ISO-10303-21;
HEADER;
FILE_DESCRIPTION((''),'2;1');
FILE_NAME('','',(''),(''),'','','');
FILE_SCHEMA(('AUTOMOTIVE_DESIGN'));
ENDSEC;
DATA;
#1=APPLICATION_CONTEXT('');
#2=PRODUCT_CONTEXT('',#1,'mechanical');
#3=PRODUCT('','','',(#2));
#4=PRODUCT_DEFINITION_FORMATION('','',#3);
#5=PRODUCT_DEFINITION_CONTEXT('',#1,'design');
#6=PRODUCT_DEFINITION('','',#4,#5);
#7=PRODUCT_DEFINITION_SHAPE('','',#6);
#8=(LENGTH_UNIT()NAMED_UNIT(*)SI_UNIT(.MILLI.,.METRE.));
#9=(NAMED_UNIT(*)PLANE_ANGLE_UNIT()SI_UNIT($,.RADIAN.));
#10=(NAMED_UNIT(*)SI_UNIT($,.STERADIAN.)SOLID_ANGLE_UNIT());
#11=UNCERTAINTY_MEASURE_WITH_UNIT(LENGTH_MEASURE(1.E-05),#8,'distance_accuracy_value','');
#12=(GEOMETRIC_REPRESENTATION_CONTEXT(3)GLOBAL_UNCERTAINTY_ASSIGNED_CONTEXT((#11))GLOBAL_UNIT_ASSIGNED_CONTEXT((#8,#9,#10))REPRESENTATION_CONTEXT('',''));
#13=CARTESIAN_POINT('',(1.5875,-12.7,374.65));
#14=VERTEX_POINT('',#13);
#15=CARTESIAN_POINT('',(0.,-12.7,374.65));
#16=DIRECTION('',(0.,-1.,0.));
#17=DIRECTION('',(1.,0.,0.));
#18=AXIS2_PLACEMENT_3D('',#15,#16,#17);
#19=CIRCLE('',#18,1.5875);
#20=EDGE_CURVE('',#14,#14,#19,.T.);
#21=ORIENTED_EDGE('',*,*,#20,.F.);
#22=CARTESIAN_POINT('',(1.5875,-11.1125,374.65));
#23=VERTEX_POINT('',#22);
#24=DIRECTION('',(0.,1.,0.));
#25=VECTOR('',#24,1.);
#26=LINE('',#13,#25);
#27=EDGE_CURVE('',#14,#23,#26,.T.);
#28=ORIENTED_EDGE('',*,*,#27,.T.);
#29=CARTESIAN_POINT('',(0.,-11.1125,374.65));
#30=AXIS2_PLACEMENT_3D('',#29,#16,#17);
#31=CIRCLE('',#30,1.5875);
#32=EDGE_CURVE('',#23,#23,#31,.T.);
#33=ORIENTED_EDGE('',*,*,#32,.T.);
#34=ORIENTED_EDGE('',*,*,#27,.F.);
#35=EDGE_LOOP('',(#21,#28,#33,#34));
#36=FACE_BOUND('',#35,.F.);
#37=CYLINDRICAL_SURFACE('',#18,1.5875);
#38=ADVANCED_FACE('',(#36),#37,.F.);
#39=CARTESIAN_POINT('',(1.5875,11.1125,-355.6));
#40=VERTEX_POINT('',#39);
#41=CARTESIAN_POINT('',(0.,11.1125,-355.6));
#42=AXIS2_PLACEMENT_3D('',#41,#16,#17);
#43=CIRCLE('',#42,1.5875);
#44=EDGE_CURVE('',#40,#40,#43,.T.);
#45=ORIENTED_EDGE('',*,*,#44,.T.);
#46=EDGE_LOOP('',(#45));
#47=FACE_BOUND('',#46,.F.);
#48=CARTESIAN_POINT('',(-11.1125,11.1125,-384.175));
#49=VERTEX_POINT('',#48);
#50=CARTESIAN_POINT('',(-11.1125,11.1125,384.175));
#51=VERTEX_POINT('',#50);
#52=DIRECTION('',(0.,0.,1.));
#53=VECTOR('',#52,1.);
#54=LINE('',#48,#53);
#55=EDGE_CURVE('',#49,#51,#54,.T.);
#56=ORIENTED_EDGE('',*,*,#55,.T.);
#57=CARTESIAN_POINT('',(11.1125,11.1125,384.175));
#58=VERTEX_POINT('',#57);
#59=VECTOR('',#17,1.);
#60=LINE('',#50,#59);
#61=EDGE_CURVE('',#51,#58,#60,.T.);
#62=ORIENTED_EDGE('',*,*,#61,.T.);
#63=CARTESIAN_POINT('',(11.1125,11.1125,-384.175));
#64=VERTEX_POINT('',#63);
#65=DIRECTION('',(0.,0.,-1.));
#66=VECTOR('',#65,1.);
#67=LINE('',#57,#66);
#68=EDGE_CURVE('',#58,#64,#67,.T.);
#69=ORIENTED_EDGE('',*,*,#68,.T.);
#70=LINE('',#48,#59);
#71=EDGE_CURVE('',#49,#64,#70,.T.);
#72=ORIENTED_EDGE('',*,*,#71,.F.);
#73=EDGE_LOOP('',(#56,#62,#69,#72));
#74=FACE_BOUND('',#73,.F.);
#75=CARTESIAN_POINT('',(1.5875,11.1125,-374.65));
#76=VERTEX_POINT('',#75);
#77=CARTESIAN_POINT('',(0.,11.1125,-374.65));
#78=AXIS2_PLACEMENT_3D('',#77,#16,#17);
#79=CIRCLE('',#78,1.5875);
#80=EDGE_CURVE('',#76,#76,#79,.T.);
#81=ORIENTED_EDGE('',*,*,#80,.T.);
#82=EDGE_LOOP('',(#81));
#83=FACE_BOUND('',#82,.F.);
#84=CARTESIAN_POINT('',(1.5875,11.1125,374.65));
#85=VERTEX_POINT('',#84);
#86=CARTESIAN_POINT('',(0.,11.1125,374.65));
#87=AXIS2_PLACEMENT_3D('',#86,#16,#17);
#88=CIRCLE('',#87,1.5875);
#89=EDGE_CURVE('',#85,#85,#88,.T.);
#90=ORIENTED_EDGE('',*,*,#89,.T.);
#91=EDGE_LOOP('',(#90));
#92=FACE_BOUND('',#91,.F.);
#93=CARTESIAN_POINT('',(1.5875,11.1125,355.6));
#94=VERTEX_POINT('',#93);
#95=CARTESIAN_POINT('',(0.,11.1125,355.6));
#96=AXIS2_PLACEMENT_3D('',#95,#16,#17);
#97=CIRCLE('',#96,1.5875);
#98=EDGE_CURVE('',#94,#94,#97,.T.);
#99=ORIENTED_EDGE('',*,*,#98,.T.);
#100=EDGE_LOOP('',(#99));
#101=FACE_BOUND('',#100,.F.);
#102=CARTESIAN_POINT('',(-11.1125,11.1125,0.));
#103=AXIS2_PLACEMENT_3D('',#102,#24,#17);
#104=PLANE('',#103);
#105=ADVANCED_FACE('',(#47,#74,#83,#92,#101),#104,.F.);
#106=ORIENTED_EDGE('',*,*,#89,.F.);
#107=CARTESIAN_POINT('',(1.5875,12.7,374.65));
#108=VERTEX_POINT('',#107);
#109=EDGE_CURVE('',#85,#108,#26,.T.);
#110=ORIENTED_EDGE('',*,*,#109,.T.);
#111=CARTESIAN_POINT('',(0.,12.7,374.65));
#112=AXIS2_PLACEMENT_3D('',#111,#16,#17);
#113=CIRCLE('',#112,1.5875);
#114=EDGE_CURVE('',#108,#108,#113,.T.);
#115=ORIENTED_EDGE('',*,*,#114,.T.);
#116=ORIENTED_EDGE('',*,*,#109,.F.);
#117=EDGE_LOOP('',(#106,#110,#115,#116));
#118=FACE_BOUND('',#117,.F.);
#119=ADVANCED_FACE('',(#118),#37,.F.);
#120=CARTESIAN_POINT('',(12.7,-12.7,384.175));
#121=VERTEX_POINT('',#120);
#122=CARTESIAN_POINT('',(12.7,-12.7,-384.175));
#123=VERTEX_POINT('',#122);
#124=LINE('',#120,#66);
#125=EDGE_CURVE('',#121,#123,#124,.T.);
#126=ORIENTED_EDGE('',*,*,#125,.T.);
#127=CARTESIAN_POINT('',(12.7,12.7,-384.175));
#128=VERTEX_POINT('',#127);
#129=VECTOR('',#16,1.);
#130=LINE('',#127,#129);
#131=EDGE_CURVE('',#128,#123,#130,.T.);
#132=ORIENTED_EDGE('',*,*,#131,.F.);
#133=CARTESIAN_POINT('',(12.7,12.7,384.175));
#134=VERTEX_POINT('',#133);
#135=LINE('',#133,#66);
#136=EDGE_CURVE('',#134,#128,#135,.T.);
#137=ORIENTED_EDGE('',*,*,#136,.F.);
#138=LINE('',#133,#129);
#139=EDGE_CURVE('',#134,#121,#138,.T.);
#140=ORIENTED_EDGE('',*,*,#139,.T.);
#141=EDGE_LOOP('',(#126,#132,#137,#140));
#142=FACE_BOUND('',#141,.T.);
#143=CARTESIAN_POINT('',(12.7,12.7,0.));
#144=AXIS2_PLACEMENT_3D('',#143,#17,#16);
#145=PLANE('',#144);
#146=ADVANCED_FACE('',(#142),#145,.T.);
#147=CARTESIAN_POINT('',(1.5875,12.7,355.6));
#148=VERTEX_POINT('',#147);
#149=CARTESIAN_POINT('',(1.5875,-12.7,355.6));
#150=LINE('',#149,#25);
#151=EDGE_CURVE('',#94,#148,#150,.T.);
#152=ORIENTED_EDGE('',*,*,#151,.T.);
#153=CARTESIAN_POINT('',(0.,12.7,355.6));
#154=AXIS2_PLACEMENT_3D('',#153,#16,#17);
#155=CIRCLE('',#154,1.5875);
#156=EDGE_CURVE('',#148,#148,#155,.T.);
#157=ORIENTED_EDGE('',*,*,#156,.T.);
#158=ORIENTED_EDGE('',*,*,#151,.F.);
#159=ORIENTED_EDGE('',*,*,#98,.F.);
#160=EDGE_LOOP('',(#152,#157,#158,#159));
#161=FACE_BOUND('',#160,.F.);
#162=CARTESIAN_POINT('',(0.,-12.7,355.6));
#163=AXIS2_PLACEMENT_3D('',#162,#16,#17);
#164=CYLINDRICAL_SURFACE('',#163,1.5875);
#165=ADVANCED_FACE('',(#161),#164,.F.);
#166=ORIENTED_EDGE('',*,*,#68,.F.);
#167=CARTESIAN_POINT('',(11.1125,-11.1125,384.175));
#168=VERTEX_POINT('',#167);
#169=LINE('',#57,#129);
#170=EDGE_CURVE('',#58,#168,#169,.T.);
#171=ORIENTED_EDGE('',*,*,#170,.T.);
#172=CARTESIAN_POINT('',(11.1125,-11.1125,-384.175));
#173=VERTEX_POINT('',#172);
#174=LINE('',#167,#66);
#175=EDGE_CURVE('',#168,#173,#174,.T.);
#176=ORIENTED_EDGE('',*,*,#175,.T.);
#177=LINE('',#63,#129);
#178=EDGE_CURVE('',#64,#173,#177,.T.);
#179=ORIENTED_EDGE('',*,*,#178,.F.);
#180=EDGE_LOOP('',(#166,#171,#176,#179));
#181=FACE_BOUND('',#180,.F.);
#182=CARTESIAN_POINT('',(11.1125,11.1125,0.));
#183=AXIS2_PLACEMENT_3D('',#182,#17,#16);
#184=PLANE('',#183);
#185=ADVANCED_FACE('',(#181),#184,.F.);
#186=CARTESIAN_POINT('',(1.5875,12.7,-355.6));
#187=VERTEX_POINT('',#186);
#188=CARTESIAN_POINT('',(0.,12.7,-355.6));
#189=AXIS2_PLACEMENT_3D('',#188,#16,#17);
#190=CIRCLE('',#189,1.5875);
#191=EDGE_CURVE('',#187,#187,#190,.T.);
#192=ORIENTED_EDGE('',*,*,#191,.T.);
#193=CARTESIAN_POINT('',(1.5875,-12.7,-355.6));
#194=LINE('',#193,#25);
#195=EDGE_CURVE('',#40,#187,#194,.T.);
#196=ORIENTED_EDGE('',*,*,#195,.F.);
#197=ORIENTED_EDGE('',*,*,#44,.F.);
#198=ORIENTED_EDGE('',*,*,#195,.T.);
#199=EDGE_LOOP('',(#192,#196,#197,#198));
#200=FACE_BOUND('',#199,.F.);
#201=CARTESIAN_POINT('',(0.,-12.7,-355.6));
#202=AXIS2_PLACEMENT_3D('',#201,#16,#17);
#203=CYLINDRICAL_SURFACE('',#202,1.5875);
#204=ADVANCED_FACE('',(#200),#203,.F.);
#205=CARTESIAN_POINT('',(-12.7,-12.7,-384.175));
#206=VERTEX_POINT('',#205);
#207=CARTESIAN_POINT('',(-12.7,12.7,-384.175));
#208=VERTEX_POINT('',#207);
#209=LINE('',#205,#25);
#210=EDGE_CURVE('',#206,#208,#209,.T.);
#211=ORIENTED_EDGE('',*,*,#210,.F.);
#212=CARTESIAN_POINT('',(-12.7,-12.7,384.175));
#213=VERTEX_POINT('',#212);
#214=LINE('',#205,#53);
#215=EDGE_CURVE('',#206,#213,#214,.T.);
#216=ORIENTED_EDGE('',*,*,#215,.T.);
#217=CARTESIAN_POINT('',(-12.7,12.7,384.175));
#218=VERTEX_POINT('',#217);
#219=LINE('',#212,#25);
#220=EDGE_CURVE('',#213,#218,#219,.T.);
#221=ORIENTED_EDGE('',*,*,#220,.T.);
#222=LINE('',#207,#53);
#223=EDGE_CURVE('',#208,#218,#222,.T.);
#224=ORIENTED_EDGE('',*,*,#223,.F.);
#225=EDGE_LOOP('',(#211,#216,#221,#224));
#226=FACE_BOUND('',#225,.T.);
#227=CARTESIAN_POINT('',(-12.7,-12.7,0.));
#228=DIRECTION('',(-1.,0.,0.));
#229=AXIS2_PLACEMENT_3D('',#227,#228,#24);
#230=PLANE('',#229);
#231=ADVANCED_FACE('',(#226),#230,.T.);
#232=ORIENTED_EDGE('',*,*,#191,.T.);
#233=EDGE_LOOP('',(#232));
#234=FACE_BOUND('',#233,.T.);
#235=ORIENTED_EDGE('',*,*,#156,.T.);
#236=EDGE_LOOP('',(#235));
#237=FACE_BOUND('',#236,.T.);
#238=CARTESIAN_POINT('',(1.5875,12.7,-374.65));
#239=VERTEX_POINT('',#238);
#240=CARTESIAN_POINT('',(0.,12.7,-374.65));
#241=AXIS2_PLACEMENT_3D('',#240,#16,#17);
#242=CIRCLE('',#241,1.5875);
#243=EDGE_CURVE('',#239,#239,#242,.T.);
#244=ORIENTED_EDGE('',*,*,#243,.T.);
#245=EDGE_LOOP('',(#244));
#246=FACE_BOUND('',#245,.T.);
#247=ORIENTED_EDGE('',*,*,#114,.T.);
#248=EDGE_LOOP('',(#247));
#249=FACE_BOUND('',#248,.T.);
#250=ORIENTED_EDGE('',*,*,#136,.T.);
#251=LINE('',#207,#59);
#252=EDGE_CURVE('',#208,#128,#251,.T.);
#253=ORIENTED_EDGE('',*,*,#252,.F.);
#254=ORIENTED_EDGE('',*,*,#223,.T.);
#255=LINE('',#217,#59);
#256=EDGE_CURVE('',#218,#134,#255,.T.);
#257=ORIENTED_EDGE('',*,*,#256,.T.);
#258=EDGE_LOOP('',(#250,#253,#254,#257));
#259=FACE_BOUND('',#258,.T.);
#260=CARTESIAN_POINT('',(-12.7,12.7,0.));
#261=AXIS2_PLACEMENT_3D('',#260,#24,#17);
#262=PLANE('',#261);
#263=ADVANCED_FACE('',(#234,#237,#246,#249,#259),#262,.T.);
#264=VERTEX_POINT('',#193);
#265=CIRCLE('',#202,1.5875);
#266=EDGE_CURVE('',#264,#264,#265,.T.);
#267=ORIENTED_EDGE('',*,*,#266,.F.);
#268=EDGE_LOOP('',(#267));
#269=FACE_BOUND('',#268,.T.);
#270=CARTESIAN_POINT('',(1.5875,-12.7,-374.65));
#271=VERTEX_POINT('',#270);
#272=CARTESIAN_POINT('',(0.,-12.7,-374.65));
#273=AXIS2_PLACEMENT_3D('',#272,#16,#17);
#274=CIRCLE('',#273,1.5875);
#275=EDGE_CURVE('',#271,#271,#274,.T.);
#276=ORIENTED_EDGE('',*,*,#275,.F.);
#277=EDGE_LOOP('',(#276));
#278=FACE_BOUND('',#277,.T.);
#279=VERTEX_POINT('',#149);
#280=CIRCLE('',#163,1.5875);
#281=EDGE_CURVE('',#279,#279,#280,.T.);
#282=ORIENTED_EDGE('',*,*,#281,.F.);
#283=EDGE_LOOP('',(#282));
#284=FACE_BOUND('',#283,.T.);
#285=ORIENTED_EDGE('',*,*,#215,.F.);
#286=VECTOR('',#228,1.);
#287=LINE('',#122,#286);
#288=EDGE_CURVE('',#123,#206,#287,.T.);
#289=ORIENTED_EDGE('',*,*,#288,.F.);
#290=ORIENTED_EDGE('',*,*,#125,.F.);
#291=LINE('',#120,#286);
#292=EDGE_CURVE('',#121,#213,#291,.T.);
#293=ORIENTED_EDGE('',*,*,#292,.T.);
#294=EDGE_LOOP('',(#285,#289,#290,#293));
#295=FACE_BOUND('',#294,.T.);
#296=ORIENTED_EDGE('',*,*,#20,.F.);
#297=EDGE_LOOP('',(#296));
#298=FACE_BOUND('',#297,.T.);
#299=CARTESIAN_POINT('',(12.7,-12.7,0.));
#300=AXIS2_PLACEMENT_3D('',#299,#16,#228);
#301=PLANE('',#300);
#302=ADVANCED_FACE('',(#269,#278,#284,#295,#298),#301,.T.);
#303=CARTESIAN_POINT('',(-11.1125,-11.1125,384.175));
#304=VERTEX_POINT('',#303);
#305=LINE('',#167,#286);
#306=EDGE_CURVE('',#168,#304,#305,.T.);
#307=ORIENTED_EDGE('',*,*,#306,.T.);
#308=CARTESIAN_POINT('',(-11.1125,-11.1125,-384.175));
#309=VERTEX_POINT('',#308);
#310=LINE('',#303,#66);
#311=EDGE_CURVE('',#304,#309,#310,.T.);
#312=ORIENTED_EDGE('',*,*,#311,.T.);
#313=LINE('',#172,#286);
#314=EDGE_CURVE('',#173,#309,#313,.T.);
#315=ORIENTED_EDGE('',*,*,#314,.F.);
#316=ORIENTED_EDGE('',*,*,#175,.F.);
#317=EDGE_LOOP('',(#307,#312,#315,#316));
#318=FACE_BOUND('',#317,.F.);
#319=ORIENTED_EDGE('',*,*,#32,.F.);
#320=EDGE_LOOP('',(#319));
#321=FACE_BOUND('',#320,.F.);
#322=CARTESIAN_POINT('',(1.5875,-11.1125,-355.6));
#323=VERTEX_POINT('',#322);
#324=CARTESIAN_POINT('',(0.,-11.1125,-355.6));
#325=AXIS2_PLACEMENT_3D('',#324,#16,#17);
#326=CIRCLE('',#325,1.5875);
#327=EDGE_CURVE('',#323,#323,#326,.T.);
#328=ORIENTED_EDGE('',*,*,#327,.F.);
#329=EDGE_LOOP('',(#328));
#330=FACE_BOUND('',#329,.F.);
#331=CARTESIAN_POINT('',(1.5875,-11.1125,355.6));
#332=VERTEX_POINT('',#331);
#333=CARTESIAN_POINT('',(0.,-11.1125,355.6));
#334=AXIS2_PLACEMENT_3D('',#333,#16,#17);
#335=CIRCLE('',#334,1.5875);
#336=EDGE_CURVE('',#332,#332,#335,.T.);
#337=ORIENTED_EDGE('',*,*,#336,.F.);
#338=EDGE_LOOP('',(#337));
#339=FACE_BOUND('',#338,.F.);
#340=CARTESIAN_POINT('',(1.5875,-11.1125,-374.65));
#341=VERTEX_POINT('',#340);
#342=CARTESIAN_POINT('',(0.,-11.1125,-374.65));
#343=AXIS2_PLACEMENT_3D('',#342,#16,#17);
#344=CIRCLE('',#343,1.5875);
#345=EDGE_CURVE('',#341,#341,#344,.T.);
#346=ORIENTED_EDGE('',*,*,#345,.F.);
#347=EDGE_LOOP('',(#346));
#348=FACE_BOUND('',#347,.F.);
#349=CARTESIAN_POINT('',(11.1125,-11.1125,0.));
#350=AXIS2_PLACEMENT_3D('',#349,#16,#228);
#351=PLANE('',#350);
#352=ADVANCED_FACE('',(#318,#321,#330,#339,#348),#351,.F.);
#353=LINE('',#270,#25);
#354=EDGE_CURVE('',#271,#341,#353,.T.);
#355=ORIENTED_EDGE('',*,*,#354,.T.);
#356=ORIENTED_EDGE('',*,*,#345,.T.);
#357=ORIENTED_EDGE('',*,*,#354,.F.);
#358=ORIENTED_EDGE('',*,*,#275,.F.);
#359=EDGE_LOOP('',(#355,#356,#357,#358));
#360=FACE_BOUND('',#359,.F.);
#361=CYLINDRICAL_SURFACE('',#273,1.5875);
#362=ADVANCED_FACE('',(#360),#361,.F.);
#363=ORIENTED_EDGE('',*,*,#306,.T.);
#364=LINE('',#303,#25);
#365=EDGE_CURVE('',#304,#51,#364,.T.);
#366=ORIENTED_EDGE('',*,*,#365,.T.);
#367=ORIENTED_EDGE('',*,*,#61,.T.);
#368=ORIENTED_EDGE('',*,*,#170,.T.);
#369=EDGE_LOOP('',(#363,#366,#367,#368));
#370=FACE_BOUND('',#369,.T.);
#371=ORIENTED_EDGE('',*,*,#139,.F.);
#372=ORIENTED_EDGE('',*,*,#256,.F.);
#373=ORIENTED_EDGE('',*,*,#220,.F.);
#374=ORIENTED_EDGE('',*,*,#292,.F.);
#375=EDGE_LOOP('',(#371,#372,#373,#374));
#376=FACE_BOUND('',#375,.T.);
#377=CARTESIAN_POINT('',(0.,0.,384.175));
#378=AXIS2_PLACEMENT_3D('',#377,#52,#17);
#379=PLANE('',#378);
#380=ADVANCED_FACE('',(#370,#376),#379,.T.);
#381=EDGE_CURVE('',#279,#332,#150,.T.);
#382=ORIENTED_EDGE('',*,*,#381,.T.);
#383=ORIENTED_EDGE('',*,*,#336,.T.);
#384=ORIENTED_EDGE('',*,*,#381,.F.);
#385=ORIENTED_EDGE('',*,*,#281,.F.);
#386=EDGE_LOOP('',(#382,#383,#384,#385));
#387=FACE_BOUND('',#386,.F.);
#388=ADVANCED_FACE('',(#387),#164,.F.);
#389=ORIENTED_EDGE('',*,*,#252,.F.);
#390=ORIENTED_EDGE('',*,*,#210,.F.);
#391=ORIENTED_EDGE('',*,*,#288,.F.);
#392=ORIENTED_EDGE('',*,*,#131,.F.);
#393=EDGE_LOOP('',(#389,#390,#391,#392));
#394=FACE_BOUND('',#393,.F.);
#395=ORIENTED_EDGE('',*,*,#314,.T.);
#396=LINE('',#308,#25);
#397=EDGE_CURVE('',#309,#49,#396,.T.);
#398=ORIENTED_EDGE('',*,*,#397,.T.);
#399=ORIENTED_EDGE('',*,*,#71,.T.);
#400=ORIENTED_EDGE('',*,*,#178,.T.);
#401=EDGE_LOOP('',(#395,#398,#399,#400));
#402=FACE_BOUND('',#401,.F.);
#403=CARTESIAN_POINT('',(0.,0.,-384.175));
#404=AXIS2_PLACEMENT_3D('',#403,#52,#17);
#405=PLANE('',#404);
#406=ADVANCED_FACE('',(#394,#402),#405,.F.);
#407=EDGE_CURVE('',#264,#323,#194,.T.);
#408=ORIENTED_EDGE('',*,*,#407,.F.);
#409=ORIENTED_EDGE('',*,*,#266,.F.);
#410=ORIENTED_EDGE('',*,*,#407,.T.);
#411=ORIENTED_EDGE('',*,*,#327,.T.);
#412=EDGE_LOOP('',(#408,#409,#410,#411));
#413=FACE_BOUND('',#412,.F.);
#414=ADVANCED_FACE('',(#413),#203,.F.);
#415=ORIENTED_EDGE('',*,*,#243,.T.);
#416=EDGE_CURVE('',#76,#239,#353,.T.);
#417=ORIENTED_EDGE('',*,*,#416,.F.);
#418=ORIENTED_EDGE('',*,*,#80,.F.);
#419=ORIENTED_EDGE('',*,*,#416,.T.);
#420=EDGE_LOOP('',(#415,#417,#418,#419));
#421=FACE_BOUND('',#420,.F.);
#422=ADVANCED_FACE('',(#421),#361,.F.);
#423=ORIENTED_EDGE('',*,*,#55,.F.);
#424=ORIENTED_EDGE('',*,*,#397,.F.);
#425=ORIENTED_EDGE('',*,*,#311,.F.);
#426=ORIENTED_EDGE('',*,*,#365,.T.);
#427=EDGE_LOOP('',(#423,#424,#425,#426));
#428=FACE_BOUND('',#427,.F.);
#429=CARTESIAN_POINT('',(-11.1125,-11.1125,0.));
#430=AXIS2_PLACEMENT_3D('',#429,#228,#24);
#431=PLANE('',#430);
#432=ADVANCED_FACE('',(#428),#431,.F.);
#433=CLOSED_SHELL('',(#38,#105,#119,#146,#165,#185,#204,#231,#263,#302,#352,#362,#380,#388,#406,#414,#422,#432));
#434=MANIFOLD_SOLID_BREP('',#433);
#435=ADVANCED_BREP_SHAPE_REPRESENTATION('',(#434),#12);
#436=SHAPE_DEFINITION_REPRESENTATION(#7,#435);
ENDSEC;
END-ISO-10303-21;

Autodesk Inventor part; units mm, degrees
ref_plane "YZ Plane" through (0, 0, 0) normal (1, 0, 0) x (0, 1, 0)
ref_plane "XZ Plane" through (0, 0, 0) normal (0, 1, 0) x (-1, 0, 0)
ref_plane "XY Plane" through (0, 0, 0) normal (0, 0, 1) x (1, 0, 0)
sketch "Sketch1" plane through (0, 0, 0) normal (0, 0, 1) x (1, 0, 0)
  line L0 (0, 0) -> (-11.1125, 0) construction
  line L1 (0, 0) -> (0, 11.1125) construction
  line L2 (-11.1125, 11.1125) -> (11.1125, 11.1125)
  line L3 (11.1125, 11.1125) -> (11.1125, -11.1125)
  line L4 (11.1125, -11.1125) -> (-11.1125, -11.1125)
  line L5 (-11.1125, -11.1125) -> (-11.1125, 11.1125)
  line L6 (-12.7, 12.7) -> (12.7, 12.7)
  line L7 (12.7, 12.7) -> (12.7, -12.7)
  line L8 (12.7, -12.7) -> (-12.7, -12.7)
  line L9 (-12.7, -12.7) -> (-12.7, 12.7)
  line L10 (-11.1125, 0) -> (-12.7, 0) construction
  line L11 (0, 11.1125) -> (0, 12.7) construction
  dimension "d0" = 25.4
  dimension "d1" = 1.5875
extrude "Extrusion1" add sketch "Sketch1" along normal mid plane 768.35
sketch "Sketch3" plane through (-12.7, -12.7, 384.175) normal (0, -1, 0) x (1, 0, 0)
  line L0 (12.7, -384.175) -> (0, -384.175) construction
  line L1 (0, -768.35) -> (0, 0) construction
  line L2 (12.7, -384.175) -> (12.7, 0) construction
  circle A0 centre (12.7, -9.525) radius 1.5875
  circle A1 centre (12.7, -28.575) radius 1.5875
  line L3 (0, 0) -> (25.4, 0) projected
  circle A2 centre (12.7, -758.825) radius 1.5875
  circle A3 centre (12.7, -739.775) radius 1.5875
  dimension "d9" = 3.175
  dimension "d10" = 9.525
  dimension "d11" = 19.05
extrude "Extrusion3" cut sketch "Sketch3" against normal through all
properties part number "Long Side" material "Aluminum 6061"
